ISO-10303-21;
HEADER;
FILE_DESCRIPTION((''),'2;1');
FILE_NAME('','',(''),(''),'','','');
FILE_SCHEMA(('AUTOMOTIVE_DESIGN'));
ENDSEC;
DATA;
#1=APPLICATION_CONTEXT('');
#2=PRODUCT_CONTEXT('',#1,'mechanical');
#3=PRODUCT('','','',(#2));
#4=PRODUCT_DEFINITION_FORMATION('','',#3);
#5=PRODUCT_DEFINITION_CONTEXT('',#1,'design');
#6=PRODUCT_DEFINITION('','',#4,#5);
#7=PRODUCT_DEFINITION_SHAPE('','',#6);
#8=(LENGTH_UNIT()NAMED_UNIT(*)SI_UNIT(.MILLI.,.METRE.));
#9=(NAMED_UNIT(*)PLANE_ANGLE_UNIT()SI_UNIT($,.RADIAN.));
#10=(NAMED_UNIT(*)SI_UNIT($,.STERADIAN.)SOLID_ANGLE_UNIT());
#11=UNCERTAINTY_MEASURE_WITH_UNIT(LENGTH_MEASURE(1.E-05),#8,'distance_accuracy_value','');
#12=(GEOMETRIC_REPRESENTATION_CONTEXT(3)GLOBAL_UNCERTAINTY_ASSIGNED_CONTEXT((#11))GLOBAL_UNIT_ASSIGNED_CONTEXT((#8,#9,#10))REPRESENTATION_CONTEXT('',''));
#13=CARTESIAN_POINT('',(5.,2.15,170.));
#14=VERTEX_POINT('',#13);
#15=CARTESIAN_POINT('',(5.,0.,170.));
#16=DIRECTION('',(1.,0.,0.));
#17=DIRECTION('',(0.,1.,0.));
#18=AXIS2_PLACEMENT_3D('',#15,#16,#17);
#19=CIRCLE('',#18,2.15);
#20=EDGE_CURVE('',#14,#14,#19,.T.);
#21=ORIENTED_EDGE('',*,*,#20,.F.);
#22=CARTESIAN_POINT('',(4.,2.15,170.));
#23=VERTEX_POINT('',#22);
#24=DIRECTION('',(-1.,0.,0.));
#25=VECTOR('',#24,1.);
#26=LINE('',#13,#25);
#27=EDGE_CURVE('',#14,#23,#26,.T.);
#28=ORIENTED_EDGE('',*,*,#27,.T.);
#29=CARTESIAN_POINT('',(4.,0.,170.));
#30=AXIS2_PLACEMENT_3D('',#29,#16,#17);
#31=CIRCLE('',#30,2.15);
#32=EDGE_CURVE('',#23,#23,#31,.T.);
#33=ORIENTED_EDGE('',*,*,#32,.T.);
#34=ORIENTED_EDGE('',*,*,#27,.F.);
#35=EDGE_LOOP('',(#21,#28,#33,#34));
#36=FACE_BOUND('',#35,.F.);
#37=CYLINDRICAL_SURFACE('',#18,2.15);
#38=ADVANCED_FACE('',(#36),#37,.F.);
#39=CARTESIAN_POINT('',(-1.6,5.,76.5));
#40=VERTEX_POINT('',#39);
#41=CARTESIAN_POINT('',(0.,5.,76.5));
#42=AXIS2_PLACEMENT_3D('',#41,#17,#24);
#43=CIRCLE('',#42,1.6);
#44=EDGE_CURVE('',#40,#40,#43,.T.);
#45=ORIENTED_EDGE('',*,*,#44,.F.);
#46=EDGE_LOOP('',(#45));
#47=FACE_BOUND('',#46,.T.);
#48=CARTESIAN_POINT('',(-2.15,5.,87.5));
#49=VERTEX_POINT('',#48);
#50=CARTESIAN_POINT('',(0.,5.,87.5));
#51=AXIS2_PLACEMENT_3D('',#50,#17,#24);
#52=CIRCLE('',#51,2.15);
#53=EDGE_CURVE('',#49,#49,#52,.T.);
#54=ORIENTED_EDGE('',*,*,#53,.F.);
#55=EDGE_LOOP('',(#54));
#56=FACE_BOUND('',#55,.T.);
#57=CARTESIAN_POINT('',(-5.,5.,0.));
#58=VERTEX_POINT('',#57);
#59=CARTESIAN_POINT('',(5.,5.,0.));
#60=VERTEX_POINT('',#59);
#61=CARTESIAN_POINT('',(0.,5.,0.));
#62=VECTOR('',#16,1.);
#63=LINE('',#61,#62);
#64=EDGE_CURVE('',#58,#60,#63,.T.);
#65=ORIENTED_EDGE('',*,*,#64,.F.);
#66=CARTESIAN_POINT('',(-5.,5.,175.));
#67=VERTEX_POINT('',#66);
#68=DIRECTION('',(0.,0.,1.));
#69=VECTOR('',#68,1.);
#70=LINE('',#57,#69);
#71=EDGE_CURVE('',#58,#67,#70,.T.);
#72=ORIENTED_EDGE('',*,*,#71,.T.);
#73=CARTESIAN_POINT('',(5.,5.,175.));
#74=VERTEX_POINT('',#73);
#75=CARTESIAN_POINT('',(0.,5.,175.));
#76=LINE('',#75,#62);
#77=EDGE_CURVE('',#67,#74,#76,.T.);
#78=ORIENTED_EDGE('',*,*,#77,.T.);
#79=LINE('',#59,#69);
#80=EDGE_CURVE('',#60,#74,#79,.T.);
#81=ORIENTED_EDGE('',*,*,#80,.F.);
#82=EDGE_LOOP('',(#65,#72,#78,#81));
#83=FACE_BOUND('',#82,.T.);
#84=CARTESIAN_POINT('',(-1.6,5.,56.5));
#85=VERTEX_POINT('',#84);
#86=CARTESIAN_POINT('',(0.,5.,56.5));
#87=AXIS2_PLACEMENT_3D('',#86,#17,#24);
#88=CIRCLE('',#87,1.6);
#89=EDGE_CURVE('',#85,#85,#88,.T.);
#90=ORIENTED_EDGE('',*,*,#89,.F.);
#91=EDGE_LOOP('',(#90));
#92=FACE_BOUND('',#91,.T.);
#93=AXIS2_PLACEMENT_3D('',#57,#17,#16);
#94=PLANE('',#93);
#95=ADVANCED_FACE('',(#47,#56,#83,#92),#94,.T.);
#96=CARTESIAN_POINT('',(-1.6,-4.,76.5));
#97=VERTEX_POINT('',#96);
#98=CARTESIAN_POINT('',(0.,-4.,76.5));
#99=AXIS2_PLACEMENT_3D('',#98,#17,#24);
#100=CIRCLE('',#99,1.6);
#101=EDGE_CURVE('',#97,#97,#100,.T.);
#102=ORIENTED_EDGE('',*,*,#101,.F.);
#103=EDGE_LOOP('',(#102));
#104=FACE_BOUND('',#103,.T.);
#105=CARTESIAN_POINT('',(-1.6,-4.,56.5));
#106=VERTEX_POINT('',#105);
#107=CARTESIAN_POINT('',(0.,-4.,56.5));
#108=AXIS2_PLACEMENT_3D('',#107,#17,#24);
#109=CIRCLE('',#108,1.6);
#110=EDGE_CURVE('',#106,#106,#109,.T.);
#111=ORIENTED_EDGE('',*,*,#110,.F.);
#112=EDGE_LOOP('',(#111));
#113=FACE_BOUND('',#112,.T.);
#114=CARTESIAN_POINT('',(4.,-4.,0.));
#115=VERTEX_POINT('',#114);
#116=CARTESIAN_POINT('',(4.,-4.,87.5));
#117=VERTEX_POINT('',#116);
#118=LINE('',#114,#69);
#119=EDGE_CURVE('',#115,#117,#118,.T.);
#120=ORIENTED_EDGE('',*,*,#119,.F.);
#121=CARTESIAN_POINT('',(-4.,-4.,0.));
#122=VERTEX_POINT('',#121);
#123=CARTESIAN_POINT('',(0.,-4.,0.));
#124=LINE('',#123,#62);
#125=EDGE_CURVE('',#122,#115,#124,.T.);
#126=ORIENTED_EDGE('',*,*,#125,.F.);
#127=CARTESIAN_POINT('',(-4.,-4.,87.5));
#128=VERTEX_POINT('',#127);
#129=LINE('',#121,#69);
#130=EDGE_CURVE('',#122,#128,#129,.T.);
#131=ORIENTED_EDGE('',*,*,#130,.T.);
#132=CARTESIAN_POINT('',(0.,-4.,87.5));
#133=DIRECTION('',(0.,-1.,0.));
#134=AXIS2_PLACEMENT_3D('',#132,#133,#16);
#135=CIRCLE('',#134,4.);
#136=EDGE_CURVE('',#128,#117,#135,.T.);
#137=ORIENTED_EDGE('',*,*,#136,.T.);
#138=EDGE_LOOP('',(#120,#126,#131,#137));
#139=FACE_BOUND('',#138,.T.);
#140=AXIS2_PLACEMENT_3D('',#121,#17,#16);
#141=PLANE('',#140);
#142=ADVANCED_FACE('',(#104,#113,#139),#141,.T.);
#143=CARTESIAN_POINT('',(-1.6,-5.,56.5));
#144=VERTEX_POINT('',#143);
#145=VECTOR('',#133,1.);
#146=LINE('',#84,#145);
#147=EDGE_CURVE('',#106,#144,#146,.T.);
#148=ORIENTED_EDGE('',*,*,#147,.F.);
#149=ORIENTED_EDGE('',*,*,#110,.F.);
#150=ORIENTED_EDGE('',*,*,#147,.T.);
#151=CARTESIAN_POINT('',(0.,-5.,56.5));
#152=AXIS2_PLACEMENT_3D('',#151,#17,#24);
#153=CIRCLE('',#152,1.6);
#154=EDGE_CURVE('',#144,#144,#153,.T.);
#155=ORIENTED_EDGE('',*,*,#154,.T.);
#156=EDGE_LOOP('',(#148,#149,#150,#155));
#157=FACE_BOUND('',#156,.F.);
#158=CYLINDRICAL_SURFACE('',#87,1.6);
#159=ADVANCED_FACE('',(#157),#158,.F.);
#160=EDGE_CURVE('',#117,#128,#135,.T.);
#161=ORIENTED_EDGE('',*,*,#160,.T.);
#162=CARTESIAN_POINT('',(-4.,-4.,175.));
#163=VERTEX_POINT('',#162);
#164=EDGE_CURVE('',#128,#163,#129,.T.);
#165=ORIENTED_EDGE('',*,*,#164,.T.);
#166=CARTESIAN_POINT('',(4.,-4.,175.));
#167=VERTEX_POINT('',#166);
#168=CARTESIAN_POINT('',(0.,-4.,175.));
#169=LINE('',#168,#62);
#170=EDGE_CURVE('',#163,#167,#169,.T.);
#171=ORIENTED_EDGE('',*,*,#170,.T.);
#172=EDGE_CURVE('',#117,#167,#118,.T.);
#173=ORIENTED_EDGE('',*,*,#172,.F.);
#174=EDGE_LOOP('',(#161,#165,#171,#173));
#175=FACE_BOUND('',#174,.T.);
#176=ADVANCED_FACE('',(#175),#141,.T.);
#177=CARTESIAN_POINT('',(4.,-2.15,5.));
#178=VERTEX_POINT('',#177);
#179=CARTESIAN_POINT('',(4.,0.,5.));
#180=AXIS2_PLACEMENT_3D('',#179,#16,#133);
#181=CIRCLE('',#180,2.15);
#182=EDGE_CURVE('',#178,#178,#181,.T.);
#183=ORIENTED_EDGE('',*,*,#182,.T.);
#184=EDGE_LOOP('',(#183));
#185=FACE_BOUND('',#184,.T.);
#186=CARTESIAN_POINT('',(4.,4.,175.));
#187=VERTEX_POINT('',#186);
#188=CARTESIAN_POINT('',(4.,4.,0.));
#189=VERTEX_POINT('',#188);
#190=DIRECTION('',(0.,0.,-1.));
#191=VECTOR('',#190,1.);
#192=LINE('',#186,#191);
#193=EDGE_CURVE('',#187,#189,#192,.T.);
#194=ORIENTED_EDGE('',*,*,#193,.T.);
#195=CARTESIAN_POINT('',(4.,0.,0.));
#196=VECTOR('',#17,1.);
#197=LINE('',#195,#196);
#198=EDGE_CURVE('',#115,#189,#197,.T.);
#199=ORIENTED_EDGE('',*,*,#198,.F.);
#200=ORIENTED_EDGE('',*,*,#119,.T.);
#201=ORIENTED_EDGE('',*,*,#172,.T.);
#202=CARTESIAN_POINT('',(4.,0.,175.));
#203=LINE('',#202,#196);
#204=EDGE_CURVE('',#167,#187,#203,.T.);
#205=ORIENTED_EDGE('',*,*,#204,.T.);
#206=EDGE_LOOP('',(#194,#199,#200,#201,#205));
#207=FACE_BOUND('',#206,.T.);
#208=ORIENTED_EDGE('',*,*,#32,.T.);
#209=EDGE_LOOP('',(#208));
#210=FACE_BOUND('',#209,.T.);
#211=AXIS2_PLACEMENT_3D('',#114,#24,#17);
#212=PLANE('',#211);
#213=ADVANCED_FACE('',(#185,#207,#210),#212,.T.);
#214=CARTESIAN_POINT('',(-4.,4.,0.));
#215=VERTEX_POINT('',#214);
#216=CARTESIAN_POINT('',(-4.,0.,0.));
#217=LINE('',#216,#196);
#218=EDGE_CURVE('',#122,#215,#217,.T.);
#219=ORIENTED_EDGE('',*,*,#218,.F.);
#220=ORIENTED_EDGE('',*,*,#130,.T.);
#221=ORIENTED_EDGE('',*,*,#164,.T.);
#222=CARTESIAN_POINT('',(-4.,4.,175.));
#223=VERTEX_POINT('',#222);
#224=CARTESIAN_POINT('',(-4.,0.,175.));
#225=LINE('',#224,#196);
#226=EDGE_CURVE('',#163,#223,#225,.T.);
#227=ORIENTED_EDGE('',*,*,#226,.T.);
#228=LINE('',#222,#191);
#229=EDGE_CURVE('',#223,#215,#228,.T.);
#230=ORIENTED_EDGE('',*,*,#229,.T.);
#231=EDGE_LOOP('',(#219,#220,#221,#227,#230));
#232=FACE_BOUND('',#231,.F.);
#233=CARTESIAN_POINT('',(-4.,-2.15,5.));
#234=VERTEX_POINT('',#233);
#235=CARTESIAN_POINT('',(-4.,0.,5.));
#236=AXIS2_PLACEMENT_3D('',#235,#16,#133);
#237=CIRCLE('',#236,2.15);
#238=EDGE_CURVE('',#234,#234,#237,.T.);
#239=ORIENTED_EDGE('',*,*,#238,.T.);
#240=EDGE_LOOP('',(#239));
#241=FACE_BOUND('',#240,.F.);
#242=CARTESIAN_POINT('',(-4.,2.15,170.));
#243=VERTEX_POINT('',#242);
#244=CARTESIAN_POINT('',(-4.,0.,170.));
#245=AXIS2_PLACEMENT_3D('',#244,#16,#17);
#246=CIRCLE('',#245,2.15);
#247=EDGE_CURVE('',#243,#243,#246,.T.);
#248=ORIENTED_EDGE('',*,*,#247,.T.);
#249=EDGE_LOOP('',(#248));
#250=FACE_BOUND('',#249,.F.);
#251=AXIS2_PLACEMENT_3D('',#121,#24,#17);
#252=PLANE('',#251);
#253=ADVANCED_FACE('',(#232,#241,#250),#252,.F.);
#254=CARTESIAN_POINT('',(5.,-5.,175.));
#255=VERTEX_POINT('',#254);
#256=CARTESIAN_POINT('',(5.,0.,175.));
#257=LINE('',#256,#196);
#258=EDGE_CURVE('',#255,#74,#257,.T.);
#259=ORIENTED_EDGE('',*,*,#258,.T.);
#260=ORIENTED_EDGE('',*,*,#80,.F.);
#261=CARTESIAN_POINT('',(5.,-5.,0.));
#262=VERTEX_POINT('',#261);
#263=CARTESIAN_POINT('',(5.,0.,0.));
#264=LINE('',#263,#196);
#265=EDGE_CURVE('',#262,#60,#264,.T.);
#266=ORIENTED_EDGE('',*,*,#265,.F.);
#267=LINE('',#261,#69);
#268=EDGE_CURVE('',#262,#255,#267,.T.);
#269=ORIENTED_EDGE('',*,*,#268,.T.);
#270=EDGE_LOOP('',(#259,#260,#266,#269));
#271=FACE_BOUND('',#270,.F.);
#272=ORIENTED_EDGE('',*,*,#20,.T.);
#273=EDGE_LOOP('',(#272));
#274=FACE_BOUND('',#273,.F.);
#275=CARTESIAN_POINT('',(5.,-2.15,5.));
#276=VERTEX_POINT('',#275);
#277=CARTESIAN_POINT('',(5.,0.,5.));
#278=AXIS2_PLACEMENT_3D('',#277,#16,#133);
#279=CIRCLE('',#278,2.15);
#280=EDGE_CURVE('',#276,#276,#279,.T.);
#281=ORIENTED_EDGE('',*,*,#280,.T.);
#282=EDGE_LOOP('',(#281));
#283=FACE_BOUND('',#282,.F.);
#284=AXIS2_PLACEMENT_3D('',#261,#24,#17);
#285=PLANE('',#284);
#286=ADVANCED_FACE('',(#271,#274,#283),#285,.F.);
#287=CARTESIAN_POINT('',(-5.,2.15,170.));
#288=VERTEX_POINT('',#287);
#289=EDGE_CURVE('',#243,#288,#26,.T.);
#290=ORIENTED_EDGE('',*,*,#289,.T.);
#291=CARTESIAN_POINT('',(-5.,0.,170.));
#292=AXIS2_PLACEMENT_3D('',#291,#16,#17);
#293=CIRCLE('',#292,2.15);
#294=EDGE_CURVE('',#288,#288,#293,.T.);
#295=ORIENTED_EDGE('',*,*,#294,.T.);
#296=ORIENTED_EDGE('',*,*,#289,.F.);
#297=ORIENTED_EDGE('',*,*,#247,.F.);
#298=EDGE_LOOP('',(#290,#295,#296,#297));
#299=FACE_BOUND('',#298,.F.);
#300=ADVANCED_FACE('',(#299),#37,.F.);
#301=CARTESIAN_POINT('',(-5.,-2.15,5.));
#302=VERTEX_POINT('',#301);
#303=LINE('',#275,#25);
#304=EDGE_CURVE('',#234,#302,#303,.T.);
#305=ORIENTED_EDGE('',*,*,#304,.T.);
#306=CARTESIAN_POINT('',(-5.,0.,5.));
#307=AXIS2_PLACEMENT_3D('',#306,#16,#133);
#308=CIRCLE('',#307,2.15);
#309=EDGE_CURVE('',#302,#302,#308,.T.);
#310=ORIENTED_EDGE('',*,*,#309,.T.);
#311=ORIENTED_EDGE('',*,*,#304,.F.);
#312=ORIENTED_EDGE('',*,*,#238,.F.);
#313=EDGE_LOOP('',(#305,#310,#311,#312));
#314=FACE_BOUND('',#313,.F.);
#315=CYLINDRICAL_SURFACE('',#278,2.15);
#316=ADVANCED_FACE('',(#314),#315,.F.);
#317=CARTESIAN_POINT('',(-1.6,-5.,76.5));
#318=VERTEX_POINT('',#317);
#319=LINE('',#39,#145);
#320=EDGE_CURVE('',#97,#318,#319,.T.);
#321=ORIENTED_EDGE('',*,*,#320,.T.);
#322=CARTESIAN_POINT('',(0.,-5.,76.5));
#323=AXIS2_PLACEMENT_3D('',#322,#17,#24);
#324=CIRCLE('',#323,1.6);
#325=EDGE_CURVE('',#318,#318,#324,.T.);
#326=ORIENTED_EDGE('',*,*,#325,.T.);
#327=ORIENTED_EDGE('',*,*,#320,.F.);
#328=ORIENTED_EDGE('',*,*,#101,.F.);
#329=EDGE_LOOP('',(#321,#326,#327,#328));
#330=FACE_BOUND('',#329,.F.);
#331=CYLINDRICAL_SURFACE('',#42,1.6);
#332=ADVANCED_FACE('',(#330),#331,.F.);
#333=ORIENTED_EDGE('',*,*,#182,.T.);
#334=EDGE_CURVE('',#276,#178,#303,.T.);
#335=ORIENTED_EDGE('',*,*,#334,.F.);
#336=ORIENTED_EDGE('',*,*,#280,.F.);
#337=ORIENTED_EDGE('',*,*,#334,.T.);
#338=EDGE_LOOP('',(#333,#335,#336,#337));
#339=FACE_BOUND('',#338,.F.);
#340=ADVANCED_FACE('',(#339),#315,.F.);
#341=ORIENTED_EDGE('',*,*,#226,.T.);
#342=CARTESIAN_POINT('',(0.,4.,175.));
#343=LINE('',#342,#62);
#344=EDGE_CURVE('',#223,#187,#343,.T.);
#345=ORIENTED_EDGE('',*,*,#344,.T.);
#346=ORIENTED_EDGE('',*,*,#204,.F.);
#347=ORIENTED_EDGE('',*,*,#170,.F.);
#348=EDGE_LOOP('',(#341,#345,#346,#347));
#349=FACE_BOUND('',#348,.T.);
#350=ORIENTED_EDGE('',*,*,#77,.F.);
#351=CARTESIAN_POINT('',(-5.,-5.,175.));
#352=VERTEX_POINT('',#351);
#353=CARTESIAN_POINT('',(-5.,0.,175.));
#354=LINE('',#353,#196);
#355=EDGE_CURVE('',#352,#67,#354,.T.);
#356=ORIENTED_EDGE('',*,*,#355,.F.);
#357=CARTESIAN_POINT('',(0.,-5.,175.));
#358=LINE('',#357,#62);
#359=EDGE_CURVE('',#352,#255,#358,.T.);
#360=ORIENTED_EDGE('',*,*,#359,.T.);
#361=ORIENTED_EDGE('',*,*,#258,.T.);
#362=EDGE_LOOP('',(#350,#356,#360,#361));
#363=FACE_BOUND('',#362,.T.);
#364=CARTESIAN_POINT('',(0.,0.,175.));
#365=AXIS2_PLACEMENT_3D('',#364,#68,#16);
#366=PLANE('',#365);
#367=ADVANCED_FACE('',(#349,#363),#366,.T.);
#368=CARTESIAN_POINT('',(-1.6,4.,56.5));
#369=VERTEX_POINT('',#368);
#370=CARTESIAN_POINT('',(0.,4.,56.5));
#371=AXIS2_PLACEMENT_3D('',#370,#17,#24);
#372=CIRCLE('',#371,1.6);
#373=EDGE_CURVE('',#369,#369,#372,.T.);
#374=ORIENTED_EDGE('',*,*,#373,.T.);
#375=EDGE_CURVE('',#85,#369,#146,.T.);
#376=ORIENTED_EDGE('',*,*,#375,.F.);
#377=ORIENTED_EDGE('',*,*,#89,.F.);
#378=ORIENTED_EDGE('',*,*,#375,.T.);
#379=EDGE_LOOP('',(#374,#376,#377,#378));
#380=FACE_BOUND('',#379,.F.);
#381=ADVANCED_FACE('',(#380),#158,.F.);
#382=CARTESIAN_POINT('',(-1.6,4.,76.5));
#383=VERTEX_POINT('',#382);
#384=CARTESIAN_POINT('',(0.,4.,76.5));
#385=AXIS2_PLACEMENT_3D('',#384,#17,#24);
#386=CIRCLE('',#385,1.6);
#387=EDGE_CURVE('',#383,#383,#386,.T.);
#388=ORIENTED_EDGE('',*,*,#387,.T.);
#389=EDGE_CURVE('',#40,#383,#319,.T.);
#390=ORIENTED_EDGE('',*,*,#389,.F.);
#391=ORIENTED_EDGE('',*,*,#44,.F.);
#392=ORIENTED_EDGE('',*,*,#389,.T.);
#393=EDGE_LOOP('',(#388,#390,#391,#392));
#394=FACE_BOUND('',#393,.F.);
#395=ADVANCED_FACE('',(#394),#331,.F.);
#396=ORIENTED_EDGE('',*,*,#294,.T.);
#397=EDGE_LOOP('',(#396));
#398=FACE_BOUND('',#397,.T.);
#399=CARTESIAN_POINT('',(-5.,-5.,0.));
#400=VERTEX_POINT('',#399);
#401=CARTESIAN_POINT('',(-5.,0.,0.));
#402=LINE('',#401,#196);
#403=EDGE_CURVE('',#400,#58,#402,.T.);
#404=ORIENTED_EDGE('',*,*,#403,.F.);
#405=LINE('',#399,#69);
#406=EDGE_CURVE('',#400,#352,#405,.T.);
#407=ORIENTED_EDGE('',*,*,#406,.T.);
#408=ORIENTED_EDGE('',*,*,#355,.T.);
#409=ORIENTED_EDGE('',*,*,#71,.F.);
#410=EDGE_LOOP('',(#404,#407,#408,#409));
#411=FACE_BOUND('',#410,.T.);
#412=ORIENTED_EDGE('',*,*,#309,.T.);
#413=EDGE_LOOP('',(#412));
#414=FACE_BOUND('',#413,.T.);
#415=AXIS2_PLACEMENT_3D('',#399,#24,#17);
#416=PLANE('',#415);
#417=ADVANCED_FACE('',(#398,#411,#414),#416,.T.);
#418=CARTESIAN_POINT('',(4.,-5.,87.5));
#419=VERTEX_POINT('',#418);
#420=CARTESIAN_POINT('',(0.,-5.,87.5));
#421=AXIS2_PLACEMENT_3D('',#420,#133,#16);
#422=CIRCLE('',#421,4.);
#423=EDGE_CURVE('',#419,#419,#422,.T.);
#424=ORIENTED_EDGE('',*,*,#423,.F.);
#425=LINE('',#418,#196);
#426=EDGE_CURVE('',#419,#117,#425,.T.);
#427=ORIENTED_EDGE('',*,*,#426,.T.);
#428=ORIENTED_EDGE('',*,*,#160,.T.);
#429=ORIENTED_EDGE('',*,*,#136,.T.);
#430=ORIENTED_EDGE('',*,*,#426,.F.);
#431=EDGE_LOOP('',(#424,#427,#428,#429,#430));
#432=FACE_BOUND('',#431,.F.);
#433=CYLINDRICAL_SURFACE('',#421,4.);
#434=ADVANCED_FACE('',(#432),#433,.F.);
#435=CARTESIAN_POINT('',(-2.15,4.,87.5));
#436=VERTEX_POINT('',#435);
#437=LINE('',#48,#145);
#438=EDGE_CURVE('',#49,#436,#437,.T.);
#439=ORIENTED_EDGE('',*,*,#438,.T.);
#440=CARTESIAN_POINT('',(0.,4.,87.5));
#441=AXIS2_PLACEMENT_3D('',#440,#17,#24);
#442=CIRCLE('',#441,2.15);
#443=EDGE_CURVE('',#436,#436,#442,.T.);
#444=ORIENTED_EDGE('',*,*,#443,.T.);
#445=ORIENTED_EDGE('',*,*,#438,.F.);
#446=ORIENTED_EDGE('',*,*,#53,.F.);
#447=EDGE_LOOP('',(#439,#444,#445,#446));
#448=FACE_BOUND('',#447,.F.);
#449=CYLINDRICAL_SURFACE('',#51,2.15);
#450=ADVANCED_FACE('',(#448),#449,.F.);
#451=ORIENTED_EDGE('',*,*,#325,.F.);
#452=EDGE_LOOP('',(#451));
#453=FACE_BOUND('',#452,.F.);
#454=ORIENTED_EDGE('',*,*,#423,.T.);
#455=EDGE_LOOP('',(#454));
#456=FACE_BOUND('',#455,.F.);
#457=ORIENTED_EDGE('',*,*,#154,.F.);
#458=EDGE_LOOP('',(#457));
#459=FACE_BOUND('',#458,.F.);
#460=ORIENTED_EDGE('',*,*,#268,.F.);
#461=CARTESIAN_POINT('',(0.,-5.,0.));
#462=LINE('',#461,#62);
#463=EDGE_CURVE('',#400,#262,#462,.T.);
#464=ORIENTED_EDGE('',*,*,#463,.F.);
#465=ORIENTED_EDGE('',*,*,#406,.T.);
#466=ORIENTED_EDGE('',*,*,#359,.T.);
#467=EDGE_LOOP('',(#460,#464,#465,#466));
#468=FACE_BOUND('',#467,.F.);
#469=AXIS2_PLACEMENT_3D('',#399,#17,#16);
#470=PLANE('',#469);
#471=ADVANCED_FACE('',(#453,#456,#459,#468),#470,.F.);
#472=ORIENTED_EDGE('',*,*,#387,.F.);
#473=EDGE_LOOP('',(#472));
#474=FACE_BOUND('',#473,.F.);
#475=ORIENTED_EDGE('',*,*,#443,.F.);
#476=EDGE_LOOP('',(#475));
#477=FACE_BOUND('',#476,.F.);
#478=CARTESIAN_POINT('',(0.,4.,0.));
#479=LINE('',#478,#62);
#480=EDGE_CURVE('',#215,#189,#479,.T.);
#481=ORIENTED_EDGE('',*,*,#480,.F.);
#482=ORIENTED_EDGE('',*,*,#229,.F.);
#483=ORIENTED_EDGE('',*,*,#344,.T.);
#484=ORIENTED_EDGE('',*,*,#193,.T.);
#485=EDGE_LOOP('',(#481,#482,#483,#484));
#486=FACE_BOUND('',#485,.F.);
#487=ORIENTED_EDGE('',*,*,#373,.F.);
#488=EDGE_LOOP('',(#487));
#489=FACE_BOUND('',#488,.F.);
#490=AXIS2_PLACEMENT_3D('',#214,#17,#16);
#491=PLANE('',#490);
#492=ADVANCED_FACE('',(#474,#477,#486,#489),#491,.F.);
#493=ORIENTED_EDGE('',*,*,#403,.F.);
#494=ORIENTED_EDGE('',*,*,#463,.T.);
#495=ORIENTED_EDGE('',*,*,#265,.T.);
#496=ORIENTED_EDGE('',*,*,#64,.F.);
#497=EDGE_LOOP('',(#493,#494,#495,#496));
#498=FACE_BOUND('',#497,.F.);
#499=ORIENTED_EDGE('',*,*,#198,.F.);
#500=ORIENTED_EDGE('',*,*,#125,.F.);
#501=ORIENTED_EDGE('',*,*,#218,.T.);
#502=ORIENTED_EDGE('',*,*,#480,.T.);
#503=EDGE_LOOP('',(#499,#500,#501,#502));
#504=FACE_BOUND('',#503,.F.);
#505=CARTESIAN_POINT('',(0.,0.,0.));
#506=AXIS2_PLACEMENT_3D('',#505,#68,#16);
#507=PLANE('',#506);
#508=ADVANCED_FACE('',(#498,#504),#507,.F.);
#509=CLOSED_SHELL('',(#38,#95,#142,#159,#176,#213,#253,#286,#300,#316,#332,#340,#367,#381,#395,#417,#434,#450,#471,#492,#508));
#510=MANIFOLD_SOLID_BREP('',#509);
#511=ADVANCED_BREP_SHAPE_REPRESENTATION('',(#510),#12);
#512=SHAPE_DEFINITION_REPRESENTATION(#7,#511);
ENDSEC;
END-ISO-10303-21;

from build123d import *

# Parameters (mm, degrees)
SKETCH_1_W          = 10
SKETCH_1_H          = 10
SKETCH_1_W_2        = 8
SKETCH_1_H_2        = 8
EXTRUDE_1_DEPTH     = 175
SKETCH_2_R          = 2.15
CUT_EXTRUDE_1_DEPTH = 176.356779168
SKETCH_3_R          = 1.6
SKETCH_3_R_2        = 2.15
CUT_EXTRUDE_2_DEPTH = 176.356779168
SKETCH_4_R          = 4
CUT_EXTRUDE_3_DEPTH = 9


with BuildPart() as part:
    # ｽｹｯﾁ1 → 押し出し-薄板1 (new body)
    with BuildSketch(Plane.XY):
        Rectangle(SKETCH_1_W, SKETCH_1_H)
        Rectangle(SKETCH_1_W_2, SKETCH_1_H_2, mode=Mode.SUBTRACT)
    extrude(amount=EXTRUDE_1_DEPTH)

    # ｽｹｯﾁ2 → ｶｯﾄ - 押し出し1 (cut, through all)
    with BuildSketch(Plane(origin=(5, 0, 0), x_dir=(0, 0, -1), z_dir=(1, 0, 0))):
        with Locations(Location((-170, 0, 0), (0, 0, 90))):
            Circle(SKETCH_2_R)
        with Locations(Location((-5, 0, 0), (0, 0, 270))):
            Circle(SKETCH_2_R)
    extrude(amount=-CUT_EXTRUDE_1_DEPTH, mode=Mode.SUBTRACT)

    # ｽｹｯﾁ3 → ｶｯﾄ - 押し出し2 (cut, through all)
    with BuildSketch(Plane(origin=(0, 5, 0), x_dir=(1, 0, 0), z_dir=(0, 1, 0))):
        with Locations(Location((0, -76.5, 0), (0, 0, 180))):
            Circle(SKETCH_3_R)
        with Locations(Location((0, -56.5, 0), (0, 0, 180))):
            Circle(SKETCH_3_R)
        with Locations(Location((0, -87.5, 0), (0, 0, 180))):
            Circle(SKETCH_3_R_2)
    extrude(amount=-CUT_EXTRUDE_2_DEPTH, mode=Mode.SUBTRACT)

    # ｽｹｯﾁ4 → ｶｯﾄ - 押し出し3 (cut)
    with BuildSketch(Plane.XZ.offset(5)):
        with Locations((0, 87.5)):
            Circle(SKETCH_4_R)
    extrude(amount=-CUT_EXTRUDE_3_DEPTH, mode=Mode.SUBTRACT)


solid = part.part
